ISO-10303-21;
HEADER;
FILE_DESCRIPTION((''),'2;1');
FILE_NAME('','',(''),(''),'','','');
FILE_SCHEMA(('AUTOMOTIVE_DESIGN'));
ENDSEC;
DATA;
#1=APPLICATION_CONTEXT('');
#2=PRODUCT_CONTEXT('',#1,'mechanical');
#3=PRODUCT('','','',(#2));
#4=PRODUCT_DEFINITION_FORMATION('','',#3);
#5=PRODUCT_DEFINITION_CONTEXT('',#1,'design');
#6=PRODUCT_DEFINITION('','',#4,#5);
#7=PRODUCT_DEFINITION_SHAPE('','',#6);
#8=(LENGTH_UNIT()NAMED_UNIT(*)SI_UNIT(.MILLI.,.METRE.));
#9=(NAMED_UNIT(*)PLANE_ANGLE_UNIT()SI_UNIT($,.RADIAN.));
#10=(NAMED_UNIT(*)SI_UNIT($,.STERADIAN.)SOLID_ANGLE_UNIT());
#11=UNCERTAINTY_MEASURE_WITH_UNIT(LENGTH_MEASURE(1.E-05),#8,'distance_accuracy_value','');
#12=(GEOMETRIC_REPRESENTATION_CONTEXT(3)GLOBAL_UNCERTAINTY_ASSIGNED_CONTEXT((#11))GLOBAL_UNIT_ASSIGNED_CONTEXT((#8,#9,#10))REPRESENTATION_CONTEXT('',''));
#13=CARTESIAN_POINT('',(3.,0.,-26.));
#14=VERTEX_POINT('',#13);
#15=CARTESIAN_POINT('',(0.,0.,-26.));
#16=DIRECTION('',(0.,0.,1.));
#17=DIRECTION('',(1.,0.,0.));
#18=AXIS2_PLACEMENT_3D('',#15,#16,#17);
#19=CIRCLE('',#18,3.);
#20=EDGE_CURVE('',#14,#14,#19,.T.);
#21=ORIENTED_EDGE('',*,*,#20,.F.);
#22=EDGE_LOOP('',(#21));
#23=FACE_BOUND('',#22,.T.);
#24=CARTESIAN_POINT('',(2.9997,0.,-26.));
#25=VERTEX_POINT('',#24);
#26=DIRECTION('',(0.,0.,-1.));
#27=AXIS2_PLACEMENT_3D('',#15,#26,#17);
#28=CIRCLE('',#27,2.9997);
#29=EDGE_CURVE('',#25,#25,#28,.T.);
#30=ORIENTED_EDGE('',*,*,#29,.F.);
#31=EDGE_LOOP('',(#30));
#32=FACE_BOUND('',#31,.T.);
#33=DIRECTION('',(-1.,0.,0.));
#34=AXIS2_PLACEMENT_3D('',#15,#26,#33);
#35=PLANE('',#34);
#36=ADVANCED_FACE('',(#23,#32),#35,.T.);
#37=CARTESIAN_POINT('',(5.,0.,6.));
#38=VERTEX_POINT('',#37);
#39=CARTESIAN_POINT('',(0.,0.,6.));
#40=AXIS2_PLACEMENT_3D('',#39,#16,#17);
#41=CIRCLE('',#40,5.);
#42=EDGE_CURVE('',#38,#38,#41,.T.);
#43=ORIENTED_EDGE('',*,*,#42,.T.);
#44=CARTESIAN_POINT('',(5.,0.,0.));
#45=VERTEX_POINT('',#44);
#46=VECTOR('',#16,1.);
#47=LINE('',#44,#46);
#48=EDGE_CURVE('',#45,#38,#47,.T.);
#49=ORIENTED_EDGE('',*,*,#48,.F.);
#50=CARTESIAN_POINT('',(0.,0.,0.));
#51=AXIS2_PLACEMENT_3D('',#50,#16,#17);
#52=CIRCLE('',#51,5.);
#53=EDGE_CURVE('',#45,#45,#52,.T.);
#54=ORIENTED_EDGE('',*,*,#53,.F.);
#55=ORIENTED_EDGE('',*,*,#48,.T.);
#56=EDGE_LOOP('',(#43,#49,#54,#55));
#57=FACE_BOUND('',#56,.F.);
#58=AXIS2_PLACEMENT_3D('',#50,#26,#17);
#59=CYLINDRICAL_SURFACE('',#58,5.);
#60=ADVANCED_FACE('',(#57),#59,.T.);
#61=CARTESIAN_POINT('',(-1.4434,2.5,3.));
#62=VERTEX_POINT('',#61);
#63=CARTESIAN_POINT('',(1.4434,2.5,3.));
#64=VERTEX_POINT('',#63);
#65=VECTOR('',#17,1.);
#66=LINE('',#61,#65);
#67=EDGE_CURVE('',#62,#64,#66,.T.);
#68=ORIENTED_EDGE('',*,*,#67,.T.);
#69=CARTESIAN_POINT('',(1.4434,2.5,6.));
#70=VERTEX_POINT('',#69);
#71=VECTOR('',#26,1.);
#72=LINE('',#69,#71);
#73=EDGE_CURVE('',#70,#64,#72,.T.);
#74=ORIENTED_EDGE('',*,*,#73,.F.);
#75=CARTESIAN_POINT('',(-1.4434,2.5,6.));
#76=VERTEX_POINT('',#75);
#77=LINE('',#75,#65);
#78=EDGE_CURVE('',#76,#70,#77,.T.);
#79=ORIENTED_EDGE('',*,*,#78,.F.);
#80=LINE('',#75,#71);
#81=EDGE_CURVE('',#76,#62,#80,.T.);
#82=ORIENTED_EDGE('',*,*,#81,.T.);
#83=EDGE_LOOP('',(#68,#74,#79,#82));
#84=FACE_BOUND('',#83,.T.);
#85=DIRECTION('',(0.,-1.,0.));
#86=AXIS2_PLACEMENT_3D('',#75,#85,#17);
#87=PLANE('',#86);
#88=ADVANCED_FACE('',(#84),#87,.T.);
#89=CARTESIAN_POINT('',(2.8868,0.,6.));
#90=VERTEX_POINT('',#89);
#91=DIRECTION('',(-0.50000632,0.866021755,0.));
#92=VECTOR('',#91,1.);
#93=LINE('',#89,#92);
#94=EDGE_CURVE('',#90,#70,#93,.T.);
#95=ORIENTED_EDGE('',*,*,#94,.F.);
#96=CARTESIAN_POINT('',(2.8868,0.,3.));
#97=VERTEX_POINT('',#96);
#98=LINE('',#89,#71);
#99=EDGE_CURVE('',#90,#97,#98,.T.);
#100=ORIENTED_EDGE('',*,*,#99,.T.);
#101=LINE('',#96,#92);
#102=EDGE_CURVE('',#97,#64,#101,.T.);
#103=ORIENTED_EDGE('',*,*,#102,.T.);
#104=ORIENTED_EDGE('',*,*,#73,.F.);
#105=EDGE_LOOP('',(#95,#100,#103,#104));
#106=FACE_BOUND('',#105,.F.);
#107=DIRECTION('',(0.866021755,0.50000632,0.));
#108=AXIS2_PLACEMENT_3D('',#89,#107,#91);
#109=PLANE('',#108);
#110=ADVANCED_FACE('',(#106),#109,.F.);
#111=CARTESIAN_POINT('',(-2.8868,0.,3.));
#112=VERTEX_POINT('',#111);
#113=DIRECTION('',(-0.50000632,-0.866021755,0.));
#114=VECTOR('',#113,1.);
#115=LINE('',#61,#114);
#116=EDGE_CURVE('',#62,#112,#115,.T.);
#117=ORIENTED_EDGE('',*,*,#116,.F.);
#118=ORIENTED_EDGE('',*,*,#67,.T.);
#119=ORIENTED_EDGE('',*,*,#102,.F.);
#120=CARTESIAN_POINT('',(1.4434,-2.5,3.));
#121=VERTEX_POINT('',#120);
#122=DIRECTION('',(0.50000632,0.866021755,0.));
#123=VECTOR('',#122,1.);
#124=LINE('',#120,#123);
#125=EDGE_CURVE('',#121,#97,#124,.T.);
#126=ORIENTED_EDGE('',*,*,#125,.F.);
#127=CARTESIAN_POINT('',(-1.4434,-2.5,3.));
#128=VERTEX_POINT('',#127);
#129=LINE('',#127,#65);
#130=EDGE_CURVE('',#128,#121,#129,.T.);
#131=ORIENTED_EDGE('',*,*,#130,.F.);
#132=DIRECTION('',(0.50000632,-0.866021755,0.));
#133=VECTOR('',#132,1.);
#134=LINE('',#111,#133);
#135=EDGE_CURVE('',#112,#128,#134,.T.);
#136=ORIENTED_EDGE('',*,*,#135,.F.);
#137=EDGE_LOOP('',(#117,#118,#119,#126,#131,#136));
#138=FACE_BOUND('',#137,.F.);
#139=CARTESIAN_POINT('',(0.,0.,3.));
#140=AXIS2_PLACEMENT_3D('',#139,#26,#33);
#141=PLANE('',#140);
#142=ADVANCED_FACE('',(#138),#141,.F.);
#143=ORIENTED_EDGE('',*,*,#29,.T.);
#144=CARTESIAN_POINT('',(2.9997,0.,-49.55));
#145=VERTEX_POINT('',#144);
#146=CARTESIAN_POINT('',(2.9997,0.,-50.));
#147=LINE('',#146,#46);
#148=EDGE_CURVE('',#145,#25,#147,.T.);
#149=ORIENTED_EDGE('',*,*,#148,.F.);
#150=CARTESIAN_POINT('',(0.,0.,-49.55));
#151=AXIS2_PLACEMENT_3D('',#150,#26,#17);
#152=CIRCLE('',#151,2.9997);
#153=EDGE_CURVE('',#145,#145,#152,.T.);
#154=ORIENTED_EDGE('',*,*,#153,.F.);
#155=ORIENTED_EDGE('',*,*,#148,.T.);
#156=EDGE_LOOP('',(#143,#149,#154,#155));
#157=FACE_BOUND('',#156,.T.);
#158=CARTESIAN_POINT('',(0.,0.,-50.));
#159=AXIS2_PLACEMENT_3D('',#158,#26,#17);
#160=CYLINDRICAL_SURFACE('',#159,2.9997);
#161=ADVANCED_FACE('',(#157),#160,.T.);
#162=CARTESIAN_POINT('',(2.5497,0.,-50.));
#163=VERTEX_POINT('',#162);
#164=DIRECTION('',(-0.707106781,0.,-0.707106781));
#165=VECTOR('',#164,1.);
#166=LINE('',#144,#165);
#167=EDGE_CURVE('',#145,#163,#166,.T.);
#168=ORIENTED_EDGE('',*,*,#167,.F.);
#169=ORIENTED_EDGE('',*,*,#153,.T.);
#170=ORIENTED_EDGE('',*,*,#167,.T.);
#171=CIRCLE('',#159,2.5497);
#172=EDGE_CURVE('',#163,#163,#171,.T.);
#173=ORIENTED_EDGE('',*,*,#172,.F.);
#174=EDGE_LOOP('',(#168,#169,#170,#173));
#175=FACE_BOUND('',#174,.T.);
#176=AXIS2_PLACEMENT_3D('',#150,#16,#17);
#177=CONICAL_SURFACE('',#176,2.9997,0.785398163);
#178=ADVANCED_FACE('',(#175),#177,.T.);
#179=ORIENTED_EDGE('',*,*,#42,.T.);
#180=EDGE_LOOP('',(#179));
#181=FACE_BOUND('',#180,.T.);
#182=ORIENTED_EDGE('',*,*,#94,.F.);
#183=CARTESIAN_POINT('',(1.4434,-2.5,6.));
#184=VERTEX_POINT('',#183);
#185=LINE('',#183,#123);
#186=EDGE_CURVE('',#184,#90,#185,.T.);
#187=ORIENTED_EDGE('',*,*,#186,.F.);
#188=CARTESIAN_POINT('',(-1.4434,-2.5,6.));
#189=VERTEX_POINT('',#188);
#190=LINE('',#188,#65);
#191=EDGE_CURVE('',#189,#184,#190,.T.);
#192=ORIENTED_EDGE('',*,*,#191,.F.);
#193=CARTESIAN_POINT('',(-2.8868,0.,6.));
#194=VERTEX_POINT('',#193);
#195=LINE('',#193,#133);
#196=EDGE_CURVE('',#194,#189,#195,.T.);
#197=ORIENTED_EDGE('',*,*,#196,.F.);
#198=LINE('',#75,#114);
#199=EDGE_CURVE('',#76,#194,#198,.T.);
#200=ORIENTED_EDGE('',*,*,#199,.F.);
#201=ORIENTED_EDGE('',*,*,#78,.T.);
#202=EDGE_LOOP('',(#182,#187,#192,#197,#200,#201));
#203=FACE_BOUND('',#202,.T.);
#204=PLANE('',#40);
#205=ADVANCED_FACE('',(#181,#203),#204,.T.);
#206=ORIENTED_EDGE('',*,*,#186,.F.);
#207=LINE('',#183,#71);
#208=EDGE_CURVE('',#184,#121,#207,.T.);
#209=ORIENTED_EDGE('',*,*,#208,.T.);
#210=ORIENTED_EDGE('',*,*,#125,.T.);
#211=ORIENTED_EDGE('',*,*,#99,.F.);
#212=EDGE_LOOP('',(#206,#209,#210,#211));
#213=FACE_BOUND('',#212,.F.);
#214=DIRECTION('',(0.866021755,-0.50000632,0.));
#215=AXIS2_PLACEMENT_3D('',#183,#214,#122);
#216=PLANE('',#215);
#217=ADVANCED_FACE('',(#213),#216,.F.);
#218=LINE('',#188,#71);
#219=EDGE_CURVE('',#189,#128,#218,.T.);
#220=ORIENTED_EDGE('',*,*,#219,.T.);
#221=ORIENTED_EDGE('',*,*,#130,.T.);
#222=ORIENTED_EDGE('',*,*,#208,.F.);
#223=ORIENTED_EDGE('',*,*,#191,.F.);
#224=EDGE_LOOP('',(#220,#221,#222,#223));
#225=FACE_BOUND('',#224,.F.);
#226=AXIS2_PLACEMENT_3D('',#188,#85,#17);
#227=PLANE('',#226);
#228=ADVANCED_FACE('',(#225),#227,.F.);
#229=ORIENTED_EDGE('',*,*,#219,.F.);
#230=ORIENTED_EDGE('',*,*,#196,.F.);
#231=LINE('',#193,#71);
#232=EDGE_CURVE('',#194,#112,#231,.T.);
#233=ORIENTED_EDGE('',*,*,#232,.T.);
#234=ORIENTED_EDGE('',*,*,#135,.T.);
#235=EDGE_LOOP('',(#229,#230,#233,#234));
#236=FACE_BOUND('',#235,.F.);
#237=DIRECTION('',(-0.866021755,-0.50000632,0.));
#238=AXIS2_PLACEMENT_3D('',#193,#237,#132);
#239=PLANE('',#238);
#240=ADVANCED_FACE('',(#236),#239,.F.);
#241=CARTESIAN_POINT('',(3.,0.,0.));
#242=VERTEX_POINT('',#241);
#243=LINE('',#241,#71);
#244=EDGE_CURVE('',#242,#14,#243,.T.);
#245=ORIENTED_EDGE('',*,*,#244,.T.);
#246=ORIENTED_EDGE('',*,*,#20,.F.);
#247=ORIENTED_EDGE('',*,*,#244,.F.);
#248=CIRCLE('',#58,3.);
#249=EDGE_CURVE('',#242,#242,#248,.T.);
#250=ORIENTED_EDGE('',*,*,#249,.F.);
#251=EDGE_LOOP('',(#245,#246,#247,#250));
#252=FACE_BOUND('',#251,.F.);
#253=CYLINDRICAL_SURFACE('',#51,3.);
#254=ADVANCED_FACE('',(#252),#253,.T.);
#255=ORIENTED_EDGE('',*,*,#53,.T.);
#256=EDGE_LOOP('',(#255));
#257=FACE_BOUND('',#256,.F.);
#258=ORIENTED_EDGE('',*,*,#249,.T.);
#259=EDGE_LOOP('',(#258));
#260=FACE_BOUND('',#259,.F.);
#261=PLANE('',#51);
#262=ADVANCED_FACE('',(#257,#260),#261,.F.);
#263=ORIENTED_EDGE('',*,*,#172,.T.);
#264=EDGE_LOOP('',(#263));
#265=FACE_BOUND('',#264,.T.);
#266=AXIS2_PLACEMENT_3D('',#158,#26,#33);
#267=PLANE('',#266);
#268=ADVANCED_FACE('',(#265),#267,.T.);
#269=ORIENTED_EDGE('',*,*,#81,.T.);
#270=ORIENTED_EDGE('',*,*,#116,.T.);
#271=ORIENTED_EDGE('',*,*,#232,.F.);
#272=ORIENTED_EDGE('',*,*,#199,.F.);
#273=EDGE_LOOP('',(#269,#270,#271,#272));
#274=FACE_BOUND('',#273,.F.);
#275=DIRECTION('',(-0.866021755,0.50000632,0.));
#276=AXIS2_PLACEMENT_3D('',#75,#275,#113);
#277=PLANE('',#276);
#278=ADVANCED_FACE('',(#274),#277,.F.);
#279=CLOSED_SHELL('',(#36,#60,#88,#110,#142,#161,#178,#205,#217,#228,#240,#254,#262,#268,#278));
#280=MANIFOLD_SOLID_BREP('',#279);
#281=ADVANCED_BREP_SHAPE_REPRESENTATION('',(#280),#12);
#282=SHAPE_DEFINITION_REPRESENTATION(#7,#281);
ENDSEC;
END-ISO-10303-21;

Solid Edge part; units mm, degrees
sketch "Sketch1" plane through (0, 0, 0) normal (0, 0, 1) x (1, 0, 0)
  circle A0 centre (0, 0) radius 5
  dimension "D1" = 10
extrude "Protrusion1" add sketch "Sketch1" along normal blind 6
sketch "Sketch2" plane through (0, 0, 0) normal (0, 0, -1) x (1, 0, 0)
  circle A0 centre (0, 0) radius 3
extrude "Protrusion2" add sketch "Sketch2" along normal blind 50
sketch "Sketch3" plane through (0, 0, -50) normal (0, 0, -1) x (1, 0, 0)
  circle A0 centre (0, 0) radius 2.9997
extrude "Cutout1" cut sketch "Sketch3" against normal blind 24 flip side to cut
chamfer "Chamfer_1" distance 0.45 angle 45 1 edges at (-2.9997, 0, -50)
sketch "Sketch4" plane through (0, 0, 6) normal (0, 0, 1) x (1, 0, 0)
  line L0 (-1.4434, 2.5) -> (1.4434, 2.5)
  line L1 (2.8868, 0) -> (1.4434, 2.5)
  line L2 (1.4434, -2.5) -> (2.8868, 0)
  line L3 (-1.4434, -2.5) -> (1.4434, -2.5)
  line L4 (-2.8868, 0) -> (-1.4434, -2.5)
  line L5 (-1.4434, 2.5) -> (-2.8868, 0)
  dimension "D1" = 5
extrude "Cutout2" cut sketch "Sketch4" against normal blind 3
properties part number "24104338"
